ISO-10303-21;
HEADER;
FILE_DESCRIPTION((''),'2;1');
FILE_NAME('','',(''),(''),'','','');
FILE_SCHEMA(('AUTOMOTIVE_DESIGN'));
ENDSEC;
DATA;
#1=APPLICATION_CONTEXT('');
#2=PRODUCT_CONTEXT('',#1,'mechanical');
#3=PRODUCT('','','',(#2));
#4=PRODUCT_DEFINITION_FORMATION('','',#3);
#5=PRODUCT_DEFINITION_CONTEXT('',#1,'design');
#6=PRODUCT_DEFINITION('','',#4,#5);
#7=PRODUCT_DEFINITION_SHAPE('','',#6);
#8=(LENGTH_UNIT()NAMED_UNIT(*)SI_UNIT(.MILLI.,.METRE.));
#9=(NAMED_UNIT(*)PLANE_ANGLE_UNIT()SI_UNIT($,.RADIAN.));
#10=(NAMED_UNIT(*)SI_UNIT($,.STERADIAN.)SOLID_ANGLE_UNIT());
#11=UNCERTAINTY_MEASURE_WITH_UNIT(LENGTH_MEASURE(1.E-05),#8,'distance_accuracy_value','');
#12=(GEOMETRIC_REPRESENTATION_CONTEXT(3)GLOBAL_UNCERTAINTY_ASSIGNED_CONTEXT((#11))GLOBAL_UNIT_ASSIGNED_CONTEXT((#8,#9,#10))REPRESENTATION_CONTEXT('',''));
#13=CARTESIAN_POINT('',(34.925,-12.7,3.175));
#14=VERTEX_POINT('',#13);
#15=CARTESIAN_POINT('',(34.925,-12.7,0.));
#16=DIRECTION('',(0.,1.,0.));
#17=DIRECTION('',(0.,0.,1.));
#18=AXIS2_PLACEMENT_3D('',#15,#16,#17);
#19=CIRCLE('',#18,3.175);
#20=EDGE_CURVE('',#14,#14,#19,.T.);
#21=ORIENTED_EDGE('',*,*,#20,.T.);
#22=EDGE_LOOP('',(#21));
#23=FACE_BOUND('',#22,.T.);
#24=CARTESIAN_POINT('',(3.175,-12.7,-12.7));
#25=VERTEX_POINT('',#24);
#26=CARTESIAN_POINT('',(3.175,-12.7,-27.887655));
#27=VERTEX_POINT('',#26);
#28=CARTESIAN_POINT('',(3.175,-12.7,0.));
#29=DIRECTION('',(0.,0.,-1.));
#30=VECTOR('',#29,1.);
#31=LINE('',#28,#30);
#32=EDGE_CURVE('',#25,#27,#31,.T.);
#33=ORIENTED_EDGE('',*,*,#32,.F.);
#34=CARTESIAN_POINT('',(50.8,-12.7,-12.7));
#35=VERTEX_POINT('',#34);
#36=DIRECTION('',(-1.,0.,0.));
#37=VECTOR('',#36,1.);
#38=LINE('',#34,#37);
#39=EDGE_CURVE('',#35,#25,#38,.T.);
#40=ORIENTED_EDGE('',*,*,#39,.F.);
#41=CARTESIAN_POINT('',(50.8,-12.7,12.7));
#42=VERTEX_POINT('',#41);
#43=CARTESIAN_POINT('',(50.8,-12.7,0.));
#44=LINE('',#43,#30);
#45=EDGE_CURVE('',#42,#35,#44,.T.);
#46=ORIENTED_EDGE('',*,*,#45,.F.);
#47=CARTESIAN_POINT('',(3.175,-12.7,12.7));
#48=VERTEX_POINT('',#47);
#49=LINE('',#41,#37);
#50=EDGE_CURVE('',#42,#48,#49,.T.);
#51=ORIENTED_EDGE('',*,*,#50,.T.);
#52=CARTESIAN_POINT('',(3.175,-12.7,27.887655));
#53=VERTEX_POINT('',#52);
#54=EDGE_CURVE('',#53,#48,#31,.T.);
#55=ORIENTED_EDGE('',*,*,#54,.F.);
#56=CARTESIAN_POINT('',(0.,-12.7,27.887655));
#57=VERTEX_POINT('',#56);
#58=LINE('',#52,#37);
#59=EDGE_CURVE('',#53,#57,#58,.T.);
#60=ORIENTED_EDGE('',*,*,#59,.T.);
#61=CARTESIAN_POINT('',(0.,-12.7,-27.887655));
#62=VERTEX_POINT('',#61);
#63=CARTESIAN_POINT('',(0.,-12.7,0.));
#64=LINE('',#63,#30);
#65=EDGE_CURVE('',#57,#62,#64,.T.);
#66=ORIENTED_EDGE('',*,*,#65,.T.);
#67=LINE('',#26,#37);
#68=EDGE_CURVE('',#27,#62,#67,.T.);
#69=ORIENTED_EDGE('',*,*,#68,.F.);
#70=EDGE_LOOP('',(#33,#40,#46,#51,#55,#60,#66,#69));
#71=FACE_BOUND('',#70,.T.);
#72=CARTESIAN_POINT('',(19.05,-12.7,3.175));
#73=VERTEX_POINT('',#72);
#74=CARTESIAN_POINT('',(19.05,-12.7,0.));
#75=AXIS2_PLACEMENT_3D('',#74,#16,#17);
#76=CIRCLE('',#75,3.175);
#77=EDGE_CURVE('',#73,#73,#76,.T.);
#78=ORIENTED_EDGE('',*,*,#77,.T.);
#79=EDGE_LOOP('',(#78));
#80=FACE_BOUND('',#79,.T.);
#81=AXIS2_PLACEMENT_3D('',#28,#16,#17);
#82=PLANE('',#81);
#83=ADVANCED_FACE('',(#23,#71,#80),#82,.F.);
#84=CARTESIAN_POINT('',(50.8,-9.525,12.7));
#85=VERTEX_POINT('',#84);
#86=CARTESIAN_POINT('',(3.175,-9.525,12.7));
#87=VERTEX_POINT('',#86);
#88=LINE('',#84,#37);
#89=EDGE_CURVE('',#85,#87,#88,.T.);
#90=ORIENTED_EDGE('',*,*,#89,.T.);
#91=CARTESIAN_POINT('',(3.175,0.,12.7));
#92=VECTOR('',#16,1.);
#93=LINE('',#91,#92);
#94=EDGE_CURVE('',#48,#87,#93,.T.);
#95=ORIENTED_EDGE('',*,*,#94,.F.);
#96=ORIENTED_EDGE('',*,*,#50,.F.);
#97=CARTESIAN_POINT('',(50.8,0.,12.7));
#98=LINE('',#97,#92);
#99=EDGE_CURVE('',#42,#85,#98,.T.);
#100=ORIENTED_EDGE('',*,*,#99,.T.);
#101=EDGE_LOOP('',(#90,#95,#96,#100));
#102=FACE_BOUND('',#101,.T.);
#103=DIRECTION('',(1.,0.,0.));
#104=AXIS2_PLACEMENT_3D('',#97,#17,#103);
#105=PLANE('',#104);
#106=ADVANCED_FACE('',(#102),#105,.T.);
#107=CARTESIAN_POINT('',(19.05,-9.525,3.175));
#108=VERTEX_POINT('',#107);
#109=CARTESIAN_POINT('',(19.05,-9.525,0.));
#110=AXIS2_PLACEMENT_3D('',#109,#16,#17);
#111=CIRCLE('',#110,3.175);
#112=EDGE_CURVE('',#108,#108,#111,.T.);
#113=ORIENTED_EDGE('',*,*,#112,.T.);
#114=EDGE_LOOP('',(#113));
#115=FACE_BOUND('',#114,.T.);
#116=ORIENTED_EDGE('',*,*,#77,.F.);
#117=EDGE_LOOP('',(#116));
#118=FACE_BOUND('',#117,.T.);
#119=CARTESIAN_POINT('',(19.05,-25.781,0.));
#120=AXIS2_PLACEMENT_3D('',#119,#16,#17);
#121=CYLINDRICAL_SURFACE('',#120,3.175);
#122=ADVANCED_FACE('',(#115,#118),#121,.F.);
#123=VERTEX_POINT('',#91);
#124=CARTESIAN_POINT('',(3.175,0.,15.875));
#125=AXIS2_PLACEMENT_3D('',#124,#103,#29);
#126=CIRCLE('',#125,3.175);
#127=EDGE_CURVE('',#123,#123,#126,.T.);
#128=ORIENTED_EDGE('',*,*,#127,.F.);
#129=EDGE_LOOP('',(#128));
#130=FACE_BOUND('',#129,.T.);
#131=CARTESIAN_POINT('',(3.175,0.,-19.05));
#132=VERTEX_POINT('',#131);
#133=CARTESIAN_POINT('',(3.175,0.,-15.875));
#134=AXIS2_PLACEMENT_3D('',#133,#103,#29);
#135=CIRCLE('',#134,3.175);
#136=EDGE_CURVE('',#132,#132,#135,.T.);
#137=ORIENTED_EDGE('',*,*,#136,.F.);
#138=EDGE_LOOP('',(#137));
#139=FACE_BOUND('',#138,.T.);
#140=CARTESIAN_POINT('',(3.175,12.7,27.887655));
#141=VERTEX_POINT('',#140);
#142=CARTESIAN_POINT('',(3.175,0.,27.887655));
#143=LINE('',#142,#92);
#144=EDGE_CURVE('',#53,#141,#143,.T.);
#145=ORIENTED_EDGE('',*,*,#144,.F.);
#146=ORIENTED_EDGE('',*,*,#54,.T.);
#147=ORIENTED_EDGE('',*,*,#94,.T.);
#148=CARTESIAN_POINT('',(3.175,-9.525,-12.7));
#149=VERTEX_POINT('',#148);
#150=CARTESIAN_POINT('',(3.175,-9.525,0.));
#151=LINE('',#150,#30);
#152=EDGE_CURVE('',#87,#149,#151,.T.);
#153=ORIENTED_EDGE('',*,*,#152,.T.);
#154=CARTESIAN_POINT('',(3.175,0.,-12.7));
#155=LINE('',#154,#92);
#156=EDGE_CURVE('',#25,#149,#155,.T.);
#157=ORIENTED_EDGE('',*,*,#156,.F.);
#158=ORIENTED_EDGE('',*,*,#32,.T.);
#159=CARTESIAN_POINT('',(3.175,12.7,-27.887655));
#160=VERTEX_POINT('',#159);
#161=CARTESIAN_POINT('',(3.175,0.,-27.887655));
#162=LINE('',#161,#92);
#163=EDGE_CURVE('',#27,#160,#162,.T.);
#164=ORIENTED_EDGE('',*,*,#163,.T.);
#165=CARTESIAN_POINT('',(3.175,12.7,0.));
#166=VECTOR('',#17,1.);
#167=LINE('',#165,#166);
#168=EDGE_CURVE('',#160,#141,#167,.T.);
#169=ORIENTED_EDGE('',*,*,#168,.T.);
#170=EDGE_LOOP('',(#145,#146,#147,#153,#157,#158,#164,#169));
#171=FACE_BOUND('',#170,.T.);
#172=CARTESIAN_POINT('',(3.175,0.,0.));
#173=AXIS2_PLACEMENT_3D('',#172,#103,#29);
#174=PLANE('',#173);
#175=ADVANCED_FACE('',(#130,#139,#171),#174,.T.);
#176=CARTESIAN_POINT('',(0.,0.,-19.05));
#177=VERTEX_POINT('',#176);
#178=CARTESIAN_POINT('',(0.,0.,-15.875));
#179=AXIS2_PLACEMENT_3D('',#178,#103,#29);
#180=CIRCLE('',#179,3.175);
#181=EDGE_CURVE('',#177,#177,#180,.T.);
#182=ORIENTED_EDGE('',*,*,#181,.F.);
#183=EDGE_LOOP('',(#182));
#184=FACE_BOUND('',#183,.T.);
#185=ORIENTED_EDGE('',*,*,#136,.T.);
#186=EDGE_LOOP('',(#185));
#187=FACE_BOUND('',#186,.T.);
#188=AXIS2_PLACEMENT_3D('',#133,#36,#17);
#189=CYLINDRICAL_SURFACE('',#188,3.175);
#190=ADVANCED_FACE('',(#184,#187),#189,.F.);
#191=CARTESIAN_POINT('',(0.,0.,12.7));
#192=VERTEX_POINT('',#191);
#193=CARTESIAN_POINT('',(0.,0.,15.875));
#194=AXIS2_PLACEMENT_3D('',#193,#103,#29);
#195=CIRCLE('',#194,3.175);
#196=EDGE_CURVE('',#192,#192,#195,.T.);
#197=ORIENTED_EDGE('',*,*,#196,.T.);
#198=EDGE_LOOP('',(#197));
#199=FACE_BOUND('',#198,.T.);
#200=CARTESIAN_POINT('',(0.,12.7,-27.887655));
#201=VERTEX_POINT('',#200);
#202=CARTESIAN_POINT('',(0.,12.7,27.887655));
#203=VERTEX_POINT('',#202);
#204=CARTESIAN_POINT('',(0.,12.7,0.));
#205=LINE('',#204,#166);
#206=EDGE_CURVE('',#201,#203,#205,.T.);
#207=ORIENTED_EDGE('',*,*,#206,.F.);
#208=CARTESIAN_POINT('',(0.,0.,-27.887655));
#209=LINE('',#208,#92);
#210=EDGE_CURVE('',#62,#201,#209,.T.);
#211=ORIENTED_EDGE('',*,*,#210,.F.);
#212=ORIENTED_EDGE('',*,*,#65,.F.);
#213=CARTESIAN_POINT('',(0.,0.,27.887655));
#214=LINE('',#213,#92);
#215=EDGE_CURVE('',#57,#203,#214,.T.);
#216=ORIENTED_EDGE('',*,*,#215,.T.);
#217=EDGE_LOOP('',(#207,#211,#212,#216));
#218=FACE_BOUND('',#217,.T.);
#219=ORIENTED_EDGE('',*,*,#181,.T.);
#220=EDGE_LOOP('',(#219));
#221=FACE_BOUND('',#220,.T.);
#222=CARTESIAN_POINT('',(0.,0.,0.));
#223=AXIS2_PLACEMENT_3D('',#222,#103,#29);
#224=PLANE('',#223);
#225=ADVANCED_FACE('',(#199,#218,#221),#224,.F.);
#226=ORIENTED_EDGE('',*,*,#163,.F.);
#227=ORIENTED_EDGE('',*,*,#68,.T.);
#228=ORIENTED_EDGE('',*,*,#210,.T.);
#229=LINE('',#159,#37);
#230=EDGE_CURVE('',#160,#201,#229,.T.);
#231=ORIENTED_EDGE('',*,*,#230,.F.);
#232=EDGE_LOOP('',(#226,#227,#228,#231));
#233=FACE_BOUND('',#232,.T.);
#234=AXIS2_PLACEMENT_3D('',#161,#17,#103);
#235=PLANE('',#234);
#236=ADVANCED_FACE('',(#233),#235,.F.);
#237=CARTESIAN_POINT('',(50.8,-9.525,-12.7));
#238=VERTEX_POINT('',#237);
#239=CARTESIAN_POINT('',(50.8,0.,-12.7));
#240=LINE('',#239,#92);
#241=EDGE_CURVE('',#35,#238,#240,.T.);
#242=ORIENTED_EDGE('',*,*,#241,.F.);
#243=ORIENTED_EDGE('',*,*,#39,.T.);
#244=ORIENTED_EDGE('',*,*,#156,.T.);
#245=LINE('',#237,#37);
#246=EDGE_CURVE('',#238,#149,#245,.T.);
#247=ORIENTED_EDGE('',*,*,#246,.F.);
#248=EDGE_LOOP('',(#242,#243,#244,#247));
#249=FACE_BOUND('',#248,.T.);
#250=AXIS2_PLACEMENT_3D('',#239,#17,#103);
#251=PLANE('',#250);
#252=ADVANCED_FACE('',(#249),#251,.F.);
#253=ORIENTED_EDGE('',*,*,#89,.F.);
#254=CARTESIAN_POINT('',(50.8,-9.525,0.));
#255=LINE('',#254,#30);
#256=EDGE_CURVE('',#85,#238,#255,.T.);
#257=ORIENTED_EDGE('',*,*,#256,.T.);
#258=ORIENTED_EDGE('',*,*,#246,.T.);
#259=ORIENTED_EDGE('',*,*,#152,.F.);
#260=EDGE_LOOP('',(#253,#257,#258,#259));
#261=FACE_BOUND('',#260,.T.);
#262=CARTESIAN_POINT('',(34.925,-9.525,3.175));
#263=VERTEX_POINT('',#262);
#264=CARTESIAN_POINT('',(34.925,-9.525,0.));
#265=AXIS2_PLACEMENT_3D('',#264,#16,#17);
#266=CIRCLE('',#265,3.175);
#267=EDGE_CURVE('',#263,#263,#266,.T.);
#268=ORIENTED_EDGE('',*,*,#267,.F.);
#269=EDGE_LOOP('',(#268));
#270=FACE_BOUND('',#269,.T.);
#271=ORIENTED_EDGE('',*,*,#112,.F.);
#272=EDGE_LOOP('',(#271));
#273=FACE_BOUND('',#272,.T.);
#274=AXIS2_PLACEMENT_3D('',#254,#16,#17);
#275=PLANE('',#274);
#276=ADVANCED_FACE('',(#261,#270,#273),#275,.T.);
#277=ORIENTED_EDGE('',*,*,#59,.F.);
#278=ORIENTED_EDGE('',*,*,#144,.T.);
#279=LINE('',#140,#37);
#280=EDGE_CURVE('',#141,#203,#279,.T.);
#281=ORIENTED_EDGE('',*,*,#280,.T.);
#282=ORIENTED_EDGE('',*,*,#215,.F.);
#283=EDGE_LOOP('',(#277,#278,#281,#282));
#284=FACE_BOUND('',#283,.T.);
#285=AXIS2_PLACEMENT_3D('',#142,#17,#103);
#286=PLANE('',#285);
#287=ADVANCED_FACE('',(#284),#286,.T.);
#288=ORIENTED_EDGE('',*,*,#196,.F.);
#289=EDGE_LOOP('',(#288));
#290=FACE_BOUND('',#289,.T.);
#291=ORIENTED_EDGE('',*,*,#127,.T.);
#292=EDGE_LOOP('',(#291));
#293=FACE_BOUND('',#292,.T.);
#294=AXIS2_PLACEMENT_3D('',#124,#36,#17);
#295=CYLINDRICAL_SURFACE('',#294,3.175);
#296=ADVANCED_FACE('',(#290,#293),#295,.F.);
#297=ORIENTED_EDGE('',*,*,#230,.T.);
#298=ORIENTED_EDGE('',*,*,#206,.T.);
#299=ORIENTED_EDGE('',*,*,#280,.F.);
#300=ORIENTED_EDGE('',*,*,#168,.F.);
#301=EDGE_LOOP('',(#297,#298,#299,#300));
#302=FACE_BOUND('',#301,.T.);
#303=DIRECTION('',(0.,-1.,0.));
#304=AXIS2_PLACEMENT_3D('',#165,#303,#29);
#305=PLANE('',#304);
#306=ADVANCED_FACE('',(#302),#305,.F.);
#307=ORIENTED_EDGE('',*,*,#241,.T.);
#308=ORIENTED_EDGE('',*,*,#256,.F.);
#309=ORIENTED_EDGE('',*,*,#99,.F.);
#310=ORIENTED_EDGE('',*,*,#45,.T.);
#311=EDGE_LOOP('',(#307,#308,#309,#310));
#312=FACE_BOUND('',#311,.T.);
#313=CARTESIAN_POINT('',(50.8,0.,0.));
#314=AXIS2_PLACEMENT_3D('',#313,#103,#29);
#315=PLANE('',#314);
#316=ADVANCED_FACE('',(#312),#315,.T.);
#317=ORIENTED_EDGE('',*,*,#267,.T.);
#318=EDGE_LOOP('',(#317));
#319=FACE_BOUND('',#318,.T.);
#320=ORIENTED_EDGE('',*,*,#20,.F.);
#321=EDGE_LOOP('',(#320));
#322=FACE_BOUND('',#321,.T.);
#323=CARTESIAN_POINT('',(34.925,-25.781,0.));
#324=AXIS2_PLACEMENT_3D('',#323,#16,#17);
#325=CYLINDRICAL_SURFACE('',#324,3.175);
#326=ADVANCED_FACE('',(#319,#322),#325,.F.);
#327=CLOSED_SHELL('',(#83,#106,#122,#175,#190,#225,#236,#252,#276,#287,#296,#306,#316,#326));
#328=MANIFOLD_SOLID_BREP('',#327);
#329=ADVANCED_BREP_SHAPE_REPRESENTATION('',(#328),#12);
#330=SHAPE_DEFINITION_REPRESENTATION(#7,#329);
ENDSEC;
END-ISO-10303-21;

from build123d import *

# Parameters (mm, degrees)
BOSS_EXTRUDE3_DEPTH = 3.175
SKETCH3_W           = 12.7
SKETCH3_H           = 3.175
BOSS_EXTRUDE4_DEPTH = 47.625
SKETCH4_R           = 3.175
CUT_EXTRUDE1_DEPTH  = 16.256


with BuildPart() as part:
    # Sketch1 → Boss-Extrude3 (new body)
    with BuildSketch(Plane(origin=(0, 0, 0), x_dir=(0, 0, -1), z_dir=(1, 0, 0))):
        with BuildLine():
            ThreePointArc((-15.875, -3.175), (-18.12006403, 2.24506403), (-12.7, 0))
            Line((-12.7, 0), (0, 0))
            Line((0, 0), (0, 12.7))
            Line((0, 12.7), (-22.115038819, 12.7))
            Line((-22.115038819, 12.7), (-27.887655145, 12.7))
            Line((-27.887655145, 12.7), (-27.887655145, -12.7))
            Line((-27.887655145, -12.7), (-15.875, -12.7))
            Line((-15.875, -12.7), (-15.875, -3.175))
        make_face()
        with BuildLine():
            Line((0, 12.7), (0, 0))
            Line((0, 0), (12.7, 0))
            ThreePointArc((12.7, 0), (13.62993597, 2.24506403), (15.875, 3.175))
            Line((15.875, 3.175), (15.875, 12.7))
            Line((15.875, 12.7), (0, 12.7))
        make_face()
        with BuildLine():
            Line((0, 0), (-12.7, 0))
            ThreePointArc((-12.7, 0), (-13.62993597, -2.24506403), (-15.875, -3.175))
            Line((-15.875, -3.175), (-15.875, -12.7))
            Line((-15.875, -12.7), (22.115038819, -12.7))
            Line((22.115038819, -12.7), (27.887655145, -12.7))
            Line((27.887655145, -12.7), (27.887655145, 12.7))
            Line((27.887655145, 12.7), (15.875, 12.7))
            Line((15.875, 12.7), (15.875, 3.175))
            ThreePointArc((15.875, 3.175), (18.12006403, 2.24506403), (19.05, 0))
            ThreePointArc((19.05, 0), (15.875, -3.175), (12.7, 0))
            Line((12.7, 0), (0, 0))
        make_face()
    extrude(amount=BOSS_EXTRUDE3_DEPTH)

    # Sketch3 → Boss-Extrude4 (add)
    with BuildSketch(Plane(origin=(3.175, 0, 0), x_dir=(0, 0, -1), z_dir=(1, 0, 0))):
        with Locations((-6.35, -11.1125)):
            Rectangle(SKETCH3_W, SKETCH3_H)
        with Locations((6.35, -11.1125)):
            Rectangle(SKETCH3_W, SKETCH3_H)
    extrude(amount=BOSS_EXTRUDE4_DEPTH)

    # Sketch4 → Cut-Extrude1 (cut)
    with BuildSketch(Plane(origin=(0, -9.525, 0), x_dir=(1, 0, 0), z_dir=(0, 1, 0))):
        with Locations(Location((19.05, 0, 0), (0, 0, 270))):
            Circle(SKETCH4_R)
        with Locations(Location((34.925, 0, 0), (0, 0, 270))):
            Circle(SKETCH4_R)
    extrude(amount=-CUT_EXTRUDE1_DEPTH, mode=Mode.SUBTRACT)


solid = part.part
